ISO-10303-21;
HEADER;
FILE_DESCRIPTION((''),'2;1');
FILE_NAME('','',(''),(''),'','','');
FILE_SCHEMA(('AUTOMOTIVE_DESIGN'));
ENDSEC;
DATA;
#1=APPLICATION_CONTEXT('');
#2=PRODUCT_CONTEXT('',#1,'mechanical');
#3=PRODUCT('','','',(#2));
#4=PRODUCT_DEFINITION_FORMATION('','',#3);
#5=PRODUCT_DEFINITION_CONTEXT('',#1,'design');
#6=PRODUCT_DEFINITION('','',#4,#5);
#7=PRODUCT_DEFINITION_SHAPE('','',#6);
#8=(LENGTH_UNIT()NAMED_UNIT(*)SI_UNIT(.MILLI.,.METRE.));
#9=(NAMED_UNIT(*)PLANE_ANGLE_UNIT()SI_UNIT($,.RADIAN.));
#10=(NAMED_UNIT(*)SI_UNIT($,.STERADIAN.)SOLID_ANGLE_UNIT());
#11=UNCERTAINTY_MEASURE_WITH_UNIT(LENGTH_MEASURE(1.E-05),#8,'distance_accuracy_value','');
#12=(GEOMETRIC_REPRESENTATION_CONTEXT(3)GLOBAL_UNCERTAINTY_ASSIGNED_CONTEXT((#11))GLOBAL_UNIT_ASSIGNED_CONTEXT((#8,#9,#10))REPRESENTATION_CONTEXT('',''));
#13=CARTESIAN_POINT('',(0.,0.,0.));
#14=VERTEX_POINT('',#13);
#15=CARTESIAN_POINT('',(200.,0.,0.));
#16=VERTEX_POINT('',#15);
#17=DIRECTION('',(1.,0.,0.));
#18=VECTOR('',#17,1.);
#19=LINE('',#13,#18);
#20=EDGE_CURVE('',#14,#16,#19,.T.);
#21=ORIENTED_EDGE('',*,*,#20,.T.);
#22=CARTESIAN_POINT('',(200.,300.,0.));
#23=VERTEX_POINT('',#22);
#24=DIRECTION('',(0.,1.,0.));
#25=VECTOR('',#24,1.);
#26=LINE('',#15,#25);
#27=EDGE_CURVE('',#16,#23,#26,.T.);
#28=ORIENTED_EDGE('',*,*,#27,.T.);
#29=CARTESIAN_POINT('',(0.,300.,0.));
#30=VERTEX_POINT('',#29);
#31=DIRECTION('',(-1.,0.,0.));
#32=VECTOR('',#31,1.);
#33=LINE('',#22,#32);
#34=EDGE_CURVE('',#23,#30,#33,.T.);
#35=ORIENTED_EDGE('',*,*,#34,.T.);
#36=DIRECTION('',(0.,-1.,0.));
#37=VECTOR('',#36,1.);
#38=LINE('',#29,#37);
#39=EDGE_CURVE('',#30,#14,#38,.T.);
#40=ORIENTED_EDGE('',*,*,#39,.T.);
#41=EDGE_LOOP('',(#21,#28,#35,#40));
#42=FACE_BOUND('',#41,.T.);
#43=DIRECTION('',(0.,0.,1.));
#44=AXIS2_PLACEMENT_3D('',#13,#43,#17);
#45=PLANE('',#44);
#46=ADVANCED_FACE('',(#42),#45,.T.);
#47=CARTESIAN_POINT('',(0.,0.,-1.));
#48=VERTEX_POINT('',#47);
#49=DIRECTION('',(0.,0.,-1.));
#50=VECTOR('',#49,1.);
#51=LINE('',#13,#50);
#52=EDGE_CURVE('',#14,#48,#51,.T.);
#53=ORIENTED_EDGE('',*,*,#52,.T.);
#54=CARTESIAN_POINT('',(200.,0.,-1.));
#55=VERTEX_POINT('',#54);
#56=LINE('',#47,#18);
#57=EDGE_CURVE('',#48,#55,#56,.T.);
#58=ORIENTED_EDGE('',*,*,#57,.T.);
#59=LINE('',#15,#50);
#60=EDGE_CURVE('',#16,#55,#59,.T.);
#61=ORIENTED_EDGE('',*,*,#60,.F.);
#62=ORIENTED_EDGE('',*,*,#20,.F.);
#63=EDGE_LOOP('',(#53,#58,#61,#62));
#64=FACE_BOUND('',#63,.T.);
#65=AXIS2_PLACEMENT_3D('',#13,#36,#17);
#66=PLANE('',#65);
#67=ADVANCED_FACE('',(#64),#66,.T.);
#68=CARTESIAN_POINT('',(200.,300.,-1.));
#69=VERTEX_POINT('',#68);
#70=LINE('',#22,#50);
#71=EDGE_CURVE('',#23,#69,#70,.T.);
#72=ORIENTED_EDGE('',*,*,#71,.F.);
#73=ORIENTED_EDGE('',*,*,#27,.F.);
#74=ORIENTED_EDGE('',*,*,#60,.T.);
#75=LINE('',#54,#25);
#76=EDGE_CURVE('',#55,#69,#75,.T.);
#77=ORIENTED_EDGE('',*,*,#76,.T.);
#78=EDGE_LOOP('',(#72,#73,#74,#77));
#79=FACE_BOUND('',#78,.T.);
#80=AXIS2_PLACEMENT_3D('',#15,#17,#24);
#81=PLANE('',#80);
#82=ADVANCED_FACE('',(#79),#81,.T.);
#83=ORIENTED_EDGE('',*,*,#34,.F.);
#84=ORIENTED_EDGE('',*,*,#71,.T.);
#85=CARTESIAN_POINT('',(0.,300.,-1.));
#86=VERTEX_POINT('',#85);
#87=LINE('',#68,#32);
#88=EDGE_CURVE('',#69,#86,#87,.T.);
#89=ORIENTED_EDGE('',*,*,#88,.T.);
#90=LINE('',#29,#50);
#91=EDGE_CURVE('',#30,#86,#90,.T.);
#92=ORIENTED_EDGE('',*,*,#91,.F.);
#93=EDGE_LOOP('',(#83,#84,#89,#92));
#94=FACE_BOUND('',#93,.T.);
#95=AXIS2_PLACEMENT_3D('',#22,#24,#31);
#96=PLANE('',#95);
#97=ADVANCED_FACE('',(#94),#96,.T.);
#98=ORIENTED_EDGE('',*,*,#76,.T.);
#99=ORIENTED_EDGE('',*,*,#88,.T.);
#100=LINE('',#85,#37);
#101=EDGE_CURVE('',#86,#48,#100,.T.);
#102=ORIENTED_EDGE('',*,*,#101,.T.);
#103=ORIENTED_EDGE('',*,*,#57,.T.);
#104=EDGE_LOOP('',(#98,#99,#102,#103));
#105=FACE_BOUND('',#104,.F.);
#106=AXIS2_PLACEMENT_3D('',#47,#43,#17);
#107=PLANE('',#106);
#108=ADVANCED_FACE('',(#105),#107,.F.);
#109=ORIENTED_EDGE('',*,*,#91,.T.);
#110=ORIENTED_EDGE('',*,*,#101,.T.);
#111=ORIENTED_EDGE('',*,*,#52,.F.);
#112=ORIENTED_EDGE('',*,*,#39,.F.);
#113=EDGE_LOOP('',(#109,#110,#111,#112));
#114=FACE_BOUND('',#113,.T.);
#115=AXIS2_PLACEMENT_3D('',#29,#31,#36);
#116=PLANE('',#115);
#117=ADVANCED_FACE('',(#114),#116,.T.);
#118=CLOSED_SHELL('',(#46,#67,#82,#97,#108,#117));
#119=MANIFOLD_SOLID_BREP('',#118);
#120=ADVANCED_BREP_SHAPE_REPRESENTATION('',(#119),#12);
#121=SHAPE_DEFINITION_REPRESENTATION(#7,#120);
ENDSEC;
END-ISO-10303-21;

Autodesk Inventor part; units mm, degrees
ref_plane "YZ Plane" through (0, 0, 0) normal (1, 0, 0) x (0, 1, 0)
ref_plane "XZ Plane" through (0, 0, 0) normal (0, 1, 0) x (-1, 0, 0)
ref_plane "XY Plane" through (0, 0, 0) normal (0, 0, 1) x (1, 0, 0)
sketch "スケッチ1" plane through (0, 0, 0) normal (0, 0, 1) x (1, 0, 0)
  line L0 (0, 0) -> (200, 0)
  line L1 (200, 0) -> (200, 300)
  line L2 (200, 300) -> (0, 300)
  line L3 (0, 300) -> (0, 0)
  dimension "d4" = 200
  dimension "d5" = 300
extrude "押し出し1" add sketch "スケッチ1" against normal blind 1
properties part number "捨て板"
